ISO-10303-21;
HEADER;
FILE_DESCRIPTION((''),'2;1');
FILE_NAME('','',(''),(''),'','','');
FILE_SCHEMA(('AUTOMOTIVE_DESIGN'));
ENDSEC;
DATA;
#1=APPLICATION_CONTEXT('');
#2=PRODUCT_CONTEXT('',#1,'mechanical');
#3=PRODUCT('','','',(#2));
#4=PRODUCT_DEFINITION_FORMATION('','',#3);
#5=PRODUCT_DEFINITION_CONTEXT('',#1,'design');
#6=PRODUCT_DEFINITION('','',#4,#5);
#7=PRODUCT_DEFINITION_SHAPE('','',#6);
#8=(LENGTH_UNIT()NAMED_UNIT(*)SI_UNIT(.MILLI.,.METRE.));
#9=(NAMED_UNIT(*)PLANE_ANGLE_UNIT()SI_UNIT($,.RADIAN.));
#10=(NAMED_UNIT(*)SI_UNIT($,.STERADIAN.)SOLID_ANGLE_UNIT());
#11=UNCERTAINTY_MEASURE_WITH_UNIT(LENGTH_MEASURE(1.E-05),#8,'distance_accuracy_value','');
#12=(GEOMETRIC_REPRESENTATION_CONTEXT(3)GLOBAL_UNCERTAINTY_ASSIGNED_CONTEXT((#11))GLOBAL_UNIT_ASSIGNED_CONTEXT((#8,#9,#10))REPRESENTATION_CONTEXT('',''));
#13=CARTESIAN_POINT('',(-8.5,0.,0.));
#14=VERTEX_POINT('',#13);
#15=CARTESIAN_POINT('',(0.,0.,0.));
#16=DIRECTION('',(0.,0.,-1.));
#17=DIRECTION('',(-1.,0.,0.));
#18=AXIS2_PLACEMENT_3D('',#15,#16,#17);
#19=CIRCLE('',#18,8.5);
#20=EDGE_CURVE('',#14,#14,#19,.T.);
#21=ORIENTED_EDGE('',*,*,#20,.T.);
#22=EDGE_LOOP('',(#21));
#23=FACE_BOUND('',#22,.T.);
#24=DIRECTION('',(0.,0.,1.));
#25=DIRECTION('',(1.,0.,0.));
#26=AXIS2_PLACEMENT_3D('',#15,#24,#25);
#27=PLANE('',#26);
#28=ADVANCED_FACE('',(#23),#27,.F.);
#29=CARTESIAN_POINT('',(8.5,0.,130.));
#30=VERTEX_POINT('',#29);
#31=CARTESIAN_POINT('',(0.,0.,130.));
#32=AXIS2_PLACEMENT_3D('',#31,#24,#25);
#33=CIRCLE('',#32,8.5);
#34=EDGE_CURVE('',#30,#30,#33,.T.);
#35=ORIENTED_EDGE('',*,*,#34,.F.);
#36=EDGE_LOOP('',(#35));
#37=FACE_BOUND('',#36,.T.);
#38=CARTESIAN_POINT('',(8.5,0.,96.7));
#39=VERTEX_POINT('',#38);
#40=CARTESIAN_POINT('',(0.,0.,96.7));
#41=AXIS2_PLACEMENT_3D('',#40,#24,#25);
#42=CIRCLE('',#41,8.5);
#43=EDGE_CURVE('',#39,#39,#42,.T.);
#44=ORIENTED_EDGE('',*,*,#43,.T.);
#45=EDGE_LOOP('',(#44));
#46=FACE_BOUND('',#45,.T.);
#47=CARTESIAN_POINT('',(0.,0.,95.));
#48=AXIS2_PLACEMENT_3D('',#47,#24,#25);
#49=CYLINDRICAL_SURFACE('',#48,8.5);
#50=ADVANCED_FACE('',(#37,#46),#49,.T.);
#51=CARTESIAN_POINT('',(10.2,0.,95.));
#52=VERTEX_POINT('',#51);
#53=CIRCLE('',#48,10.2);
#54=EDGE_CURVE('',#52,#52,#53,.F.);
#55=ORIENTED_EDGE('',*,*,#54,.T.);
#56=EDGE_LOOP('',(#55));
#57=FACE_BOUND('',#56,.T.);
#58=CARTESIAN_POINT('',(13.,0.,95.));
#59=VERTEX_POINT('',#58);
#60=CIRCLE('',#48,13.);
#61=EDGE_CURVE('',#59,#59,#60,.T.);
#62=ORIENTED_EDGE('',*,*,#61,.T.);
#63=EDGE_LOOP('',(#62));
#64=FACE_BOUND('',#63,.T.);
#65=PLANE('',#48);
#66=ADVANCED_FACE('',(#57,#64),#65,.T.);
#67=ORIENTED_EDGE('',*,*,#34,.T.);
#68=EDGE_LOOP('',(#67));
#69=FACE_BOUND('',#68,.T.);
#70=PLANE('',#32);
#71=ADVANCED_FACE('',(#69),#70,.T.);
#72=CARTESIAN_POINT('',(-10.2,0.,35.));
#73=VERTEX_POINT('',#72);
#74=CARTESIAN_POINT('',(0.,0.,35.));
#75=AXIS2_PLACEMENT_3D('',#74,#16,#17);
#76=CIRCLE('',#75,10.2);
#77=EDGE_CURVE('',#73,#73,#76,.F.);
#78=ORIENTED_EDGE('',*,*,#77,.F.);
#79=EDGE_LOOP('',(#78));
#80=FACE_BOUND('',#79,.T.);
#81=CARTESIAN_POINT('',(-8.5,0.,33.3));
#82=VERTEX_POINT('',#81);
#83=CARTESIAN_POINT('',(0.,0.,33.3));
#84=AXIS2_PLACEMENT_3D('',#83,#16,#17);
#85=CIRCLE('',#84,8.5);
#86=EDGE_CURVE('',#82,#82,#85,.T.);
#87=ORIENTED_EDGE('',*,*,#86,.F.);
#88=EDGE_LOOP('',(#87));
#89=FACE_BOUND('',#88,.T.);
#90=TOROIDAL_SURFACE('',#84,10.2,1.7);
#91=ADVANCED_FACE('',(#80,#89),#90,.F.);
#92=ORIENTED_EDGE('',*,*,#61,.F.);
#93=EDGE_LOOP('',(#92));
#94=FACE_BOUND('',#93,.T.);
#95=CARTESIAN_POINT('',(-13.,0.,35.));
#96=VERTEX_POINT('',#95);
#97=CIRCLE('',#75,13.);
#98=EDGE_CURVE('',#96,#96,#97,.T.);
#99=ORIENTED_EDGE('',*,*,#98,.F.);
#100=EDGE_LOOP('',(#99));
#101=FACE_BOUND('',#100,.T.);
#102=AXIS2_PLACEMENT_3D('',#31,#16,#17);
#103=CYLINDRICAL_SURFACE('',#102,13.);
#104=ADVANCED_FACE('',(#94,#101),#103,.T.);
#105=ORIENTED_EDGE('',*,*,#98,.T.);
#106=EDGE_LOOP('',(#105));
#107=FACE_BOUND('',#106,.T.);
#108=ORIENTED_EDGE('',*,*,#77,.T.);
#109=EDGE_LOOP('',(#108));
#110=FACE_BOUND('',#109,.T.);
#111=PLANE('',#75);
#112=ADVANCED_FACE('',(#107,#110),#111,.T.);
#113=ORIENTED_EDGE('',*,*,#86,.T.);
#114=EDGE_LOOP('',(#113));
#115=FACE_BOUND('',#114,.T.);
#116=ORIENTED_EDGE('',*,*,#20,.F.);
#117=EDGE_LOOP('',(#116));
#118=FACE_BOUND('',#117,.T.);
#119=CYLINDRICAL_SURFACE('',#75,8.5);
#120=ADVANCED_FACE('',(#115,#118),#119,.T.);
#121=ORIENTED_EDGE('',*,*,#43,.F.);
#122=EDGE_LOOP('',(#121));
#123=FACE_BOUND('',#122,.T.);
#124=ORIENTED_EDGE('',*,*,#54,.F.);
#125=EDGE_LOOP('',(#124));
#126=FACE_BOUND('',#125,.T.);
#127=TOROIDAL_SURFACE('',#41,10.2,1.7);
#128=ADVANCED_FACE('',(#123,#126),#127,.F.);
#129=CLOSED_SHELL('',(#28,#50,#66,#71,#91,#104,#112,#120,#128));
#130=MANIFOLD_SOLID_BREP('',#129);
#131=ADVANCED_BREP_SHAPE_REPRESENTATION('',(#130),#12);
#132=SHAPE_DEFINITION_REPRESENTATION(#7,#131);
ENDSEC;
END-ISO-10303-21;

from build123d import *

# Parameters (mm, degrees)
SKETCH2_R           = 13
BOSS_EXTRUDE1_DEPTH = 130
SKETCH3_R           = 13
SKETCH3_R_2         = 8.5
CUT_EXTRUDE1_DEPTH  = 35
SKETCH4_R           = 13
SKETCH4_R_2         = 8.5
CUT_EXTRUDE2_DEPTH  = 35
FILLET1_R           = 1.7
FILLET2_R           = 1.7


with BuildPart() as part:
    # Sketch2 → Boss-Extrude1 (new body)
    with BuildSketch(Plane.XY):
        Circle(SKETCH2_R)
    extrude(amount=BOSS_EXTRUDE1_DEPTH)

    # Sketch3 → Cut-Extrude1 (cut)
    with BuildSketch(Plane.XY.offset(130)):
        Circle(SKETCH3_R)
        Circle(SKETCH3_R_2, mode=Mode.SUBTRACT)
    extrude(amount=-CUT_EXTRUDE1_DEPTH, mode=Mode.SUBTRACT)

    # Sketch4 → Cut-Extrude2 (cut)
    with BuildSketch(Plane(origin=(0, 0, 0), x_dir=(-1, 0, 0), z_dir=(0, 0, -1))):
        Circle(SKETCH4_R)
        Circle(SKETCH4_R_2, mode=Mode.SUBTRACT)
    extrude(amount=-CUT_EXTRUDE2_DEPTH, mode=Mode.SUBTRACT)

    # Fillet1
    fillet1_edges = [part.edges().sort_by_distance(p)[0] for p in [
        (-8.5, 0, 95),
    ]]
    fillet(fillet1_edges, radius=FILLET1_R)

    # Fillet2
    fillet2_edges = [part.edges().sort_by_distance(p)[0] for p in [
        (8.5, 0, 35),
    ]]
    fillet(fillet2_edges, radius=FILLET2_R)


solid = part.part
